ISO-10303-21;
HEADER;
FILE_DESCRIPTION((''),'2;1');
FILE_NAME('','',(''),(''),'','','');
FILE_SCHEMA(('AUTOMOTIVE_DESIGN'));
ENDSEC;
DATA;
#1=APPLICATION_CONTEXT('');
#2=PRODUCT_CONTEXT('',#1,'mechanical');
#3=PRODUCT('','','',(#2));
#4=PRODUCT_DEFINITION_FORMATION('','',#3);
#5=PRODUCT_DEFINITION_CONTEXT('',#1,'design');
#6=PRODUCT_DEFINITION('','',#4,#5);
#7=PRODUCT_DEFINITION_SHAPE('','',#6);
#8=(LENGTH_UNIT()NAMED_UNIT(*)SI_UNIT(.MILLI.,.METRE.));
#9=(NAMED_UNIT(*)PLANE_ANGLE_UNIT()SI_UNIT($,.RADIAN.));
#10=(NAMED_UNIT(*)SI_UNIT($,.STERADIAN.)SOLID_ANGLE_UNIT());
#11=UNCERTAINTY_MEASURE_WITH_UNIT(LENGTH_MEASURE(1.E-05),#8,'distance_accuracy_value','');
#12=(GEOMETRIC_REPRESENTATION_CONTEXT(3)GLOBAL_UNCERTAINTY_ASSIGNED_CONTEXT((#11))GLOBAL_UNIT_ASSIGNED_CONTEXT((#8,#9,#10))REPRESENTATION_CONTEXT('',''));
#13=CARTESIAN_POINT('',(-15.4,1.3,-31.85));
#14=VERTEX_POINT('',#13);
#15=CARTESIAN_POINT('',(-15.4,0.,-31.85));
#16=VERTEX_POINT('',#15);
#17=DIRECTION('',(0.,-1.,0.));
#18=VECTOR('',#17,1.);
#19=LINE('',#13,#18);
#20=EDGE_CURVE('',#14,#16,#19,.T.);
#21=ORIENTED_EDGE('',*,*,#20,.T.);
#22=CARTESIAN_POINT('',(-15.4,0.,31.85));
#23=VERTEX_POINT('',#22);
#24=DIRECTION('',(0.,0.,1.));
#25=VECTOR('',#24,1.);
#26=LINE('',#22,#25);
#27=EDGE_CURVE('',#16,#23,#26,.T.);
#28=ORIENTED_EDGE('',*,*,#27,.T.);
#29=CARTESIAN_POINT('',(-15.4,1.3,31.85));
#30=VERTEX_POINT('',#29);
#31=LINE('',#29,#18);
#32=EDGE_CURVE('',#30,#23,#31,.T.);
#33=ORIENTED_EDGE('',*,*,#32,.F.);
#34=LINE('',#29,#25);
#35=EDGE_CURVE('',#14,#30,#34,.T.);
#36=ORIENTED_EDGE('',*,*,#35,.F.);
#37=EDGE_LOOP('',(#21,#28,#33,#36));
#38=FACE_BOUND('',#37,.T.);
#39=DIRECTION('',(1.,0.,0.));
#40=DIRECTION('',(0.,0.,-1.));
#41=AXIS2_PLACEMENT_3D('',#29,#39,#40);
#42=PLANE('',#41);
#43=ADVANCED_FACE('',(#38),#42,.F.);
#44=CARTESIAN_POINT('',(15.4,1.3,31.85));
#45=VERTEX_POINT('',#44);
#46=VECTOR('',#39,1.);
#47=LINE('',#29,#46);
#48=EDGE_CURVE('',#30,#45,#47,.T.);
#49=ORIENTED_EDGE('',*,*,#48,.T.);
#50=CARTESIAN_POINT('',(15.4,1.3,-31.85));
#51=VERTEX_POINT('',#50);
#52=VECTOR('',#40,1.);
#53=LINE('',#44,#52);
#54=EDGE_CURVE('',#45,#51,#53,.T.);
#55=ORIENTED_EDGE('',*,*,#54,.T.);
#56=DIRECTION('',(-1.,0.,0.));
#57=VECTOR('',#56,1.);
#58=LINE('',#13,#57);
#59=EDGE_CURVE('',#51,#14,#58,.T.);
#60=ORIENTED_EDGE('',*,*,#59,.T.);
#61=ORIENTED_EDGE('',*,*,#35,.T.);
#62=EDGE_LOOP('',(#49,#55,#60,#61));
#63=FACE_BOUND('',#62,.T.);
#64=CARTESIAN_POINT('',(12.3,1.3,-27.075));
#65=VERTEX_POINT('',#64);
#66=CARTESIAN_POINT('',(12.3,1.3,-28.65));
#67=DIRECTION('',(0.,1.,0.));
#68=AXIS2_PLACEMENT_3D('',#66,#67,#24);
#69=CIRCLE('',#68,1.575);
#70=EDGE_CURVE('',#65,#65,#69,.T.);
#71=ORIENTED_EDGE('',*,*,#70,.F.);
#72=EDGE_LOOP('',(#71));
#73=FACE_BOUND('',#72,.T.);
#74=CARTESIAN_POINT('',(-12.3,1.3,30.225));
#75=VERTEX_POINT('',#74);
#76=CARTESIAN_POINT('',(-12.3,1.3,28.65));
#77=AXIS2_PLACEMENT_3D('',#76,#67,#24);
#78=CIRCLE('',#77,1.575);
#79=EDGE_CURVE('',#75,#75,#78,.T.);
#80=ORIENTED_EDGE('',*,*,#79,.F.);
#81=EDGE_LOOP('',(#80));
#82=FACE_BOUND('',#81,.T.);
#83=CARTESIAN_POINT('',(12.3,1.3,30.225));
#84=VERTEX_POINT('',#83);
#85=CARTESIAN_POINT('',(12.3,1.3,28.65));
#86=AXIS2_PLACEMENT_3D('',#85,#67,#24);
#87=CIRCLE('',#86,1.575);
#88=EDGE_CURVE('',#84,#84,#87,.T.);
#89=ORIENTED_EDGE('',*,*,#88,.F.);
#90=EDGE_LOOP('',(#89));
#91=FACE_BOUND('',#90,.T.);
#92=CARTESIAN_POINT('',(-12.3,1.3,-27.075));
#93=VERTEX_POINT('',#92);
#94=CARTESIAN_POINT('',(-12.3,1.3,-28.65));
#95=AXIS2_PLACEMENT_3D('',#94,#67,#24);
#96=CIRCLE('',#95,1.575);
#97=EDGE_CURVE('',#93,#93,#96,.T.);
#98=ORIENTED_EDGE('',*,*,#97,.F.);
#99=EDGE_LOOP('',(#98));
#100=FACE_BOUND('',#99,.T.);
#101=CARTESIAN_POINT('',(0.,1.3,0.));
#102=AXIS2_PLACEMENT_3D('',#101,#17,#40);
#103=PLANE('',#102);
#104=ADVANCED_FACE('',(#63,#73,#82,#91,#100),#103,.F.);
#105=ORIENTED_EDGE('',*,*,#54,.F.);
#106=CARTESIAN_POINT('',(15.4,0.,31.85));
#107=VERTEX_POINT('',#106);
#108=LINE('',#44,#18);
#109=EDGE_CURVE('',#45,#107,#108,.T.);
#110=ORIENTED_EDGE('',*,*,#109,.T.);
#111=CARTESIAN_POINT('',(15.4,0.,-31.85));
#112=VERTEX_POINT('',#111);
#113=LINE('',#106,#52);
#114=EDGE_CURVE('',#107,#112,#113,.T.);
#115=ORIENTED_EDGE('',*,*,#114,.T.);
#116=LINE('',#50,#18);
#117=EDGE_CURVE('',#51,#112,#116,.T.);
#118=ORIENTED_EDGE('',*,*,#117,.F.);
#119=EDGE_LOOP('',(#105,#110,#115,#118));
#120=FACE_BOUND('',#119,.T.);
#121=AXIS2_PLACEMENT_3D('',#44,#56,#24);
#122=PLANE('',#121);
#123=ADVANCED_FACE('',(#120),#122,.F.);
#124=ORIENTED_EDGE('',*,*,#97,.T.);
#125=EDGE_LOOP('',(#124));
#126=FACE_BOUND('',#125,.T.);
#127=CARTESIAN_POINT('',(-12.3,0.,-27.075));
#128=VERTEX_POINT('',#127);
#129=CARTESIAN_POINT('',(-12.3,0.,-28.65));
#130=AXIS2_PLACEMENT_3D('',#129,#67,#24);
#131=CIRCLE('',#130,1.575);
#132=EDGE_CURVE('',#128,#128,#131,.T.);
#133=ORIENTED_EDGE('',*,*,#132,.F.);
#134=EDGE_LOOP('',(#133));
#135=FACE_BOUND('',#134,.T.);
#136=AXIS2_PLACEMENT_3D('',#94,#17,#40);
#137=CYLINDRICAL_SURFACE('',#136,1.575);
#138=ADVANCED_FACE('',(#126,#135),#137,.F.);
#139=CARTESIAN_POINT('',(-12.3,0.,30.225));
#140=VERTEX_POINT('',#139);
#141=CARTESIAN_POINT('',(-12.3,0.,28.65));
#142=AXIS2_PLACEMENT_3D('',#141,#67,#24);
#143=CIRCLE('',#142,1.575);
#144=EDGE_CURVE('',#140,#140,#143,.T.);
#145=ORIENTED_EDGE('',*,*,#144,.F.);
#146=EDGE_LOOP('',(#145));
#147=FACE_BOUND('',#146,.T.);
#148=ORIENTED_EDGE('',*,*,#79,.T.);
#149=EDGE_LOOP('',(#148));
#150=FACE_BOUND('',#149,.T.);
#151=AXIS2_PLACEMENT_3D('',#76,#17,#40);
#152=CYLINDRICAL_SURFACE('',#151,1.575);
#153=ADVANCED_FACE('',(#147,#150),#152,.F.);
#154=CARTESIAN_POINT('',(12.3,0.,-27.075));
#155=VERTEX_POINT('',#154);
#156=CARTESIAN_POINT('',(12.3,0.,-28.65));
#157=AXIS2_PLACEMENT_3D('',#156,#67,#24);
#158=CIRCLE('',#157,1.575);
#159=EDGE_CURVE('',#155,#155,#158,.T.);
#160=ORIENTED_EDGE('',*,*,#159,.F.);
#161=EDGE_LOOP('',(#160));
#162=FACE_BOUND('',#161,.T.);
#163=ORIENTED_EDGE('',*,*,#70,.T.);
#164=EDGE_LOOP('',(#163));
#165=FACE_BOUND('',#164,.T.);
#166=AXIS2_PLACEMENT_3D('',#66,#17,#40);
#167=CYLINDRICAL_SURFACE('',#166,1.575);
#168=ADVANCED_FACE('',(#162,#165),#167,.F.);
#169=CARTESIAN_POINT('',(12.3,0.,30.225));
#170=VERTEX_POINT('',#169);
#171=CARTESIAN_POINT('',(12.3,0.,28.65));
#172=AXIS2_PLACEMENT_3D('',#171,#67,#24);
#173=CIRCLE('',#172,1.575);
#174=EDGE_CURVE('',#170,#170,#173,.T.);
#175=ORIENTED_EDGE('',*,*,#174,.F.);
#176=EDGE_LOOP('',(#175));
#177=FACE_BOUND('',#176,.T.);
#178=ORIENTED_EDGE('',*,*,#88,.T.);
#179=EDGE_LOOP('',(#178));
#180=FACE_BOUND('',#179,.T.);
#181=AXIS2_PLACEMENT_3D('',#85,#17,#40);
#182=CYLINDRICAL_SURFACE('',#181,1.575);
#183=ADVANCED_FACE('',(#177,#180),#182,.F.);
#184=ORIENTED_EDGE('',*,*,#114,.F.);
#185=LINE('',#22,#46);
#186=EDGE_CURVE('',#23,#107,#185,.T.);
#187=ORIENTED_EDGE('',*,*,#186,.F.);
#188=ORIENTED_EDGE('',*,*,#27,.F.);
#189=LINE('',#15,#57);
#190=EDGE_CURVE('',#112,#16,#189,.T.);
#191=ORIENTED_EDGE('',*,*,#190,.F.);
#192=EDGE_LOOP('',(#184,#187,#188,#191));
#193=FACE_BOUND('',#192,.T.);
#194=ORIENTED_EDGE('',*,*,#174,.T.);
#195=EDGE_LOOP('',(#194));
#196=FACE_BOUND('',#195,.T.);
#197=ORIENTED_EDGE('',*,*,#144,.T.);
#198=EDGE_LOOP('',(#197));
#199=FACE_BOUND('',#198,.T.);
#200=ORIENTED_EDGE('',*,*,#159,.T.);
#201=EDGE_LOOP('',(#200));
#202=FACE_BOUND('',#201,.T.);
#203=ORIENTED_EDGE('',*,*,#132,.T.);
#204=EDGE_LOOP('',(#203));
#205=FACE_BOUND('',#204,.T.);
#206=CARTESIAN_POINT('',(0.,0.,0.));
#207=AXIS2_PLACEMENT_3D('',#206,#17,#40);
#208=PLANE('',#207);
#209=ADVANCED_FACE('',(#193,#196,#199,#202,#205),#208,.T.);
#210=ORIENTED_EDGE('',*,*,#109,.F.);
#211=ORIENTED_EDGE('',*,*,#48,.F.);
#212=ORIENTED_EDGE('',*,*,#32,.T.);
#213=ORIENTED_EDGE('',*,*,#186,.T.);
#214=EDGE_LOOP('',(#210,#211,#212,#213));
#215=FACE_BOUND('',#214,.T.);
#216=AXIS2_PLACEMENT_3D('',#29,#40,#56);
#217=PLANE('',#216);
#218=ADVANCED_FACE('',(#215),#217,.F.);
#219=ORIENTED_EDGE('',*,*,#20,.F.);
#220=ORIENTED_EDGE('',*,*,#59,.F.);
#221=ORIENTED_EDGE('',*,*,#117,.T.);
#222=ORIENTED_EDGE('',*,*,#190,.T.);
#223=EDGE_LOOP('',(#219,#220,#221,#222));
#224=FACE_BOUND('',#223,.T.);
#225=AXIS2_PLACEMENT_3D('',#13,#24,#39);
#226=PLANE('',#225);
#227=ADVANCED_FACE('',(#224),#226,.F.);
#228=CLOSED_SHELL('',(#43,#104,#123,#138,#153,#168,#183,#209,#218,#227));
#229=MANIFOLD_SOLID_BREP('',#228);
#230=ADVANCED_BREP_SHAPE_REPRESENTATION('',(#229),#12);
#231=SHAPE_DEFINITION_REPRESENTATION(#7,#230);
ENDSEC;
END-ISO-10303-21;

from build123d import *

# Parameters (mm, degrees)
SKETCH1_W           = 30.8
SKETCH1_H           = 63.7
SKETCH1_R           = 1.575
BOSS_EXTRUDE1_DEPTH = 1.3


with BuildPart() as part:
    # Sketch1 → Boss-Extrude1 (new body)
    with BuildSketch(Plane(origin=(0, 0, 0), x_dir=(1, 0, 0), z_dir=(0, 1, 0))):
        Rectangle(SKETCH1_W, SKETCH1_H)
        with Locations((12.3, 28.65)):
            Circle(SKETCH1_R, mode=Mode.SUBTRACT)
        with Locations((-12.3, 28.65)):
            Circle(SKETCH1_R, mode=Mode.SUBTRACT)
        with Locations((-12.3, -28.65)):
            Circle(SKETCH1_R, mode=Mode.SUBTRACT)
        with Locations((12.3, -28.65)):
            Circle(SKETCH1_R, mode=Mode.SUBTRACT)
    extrude(amount=BOSS_EXTRUDE1_DEPTH)


solid = part.part
